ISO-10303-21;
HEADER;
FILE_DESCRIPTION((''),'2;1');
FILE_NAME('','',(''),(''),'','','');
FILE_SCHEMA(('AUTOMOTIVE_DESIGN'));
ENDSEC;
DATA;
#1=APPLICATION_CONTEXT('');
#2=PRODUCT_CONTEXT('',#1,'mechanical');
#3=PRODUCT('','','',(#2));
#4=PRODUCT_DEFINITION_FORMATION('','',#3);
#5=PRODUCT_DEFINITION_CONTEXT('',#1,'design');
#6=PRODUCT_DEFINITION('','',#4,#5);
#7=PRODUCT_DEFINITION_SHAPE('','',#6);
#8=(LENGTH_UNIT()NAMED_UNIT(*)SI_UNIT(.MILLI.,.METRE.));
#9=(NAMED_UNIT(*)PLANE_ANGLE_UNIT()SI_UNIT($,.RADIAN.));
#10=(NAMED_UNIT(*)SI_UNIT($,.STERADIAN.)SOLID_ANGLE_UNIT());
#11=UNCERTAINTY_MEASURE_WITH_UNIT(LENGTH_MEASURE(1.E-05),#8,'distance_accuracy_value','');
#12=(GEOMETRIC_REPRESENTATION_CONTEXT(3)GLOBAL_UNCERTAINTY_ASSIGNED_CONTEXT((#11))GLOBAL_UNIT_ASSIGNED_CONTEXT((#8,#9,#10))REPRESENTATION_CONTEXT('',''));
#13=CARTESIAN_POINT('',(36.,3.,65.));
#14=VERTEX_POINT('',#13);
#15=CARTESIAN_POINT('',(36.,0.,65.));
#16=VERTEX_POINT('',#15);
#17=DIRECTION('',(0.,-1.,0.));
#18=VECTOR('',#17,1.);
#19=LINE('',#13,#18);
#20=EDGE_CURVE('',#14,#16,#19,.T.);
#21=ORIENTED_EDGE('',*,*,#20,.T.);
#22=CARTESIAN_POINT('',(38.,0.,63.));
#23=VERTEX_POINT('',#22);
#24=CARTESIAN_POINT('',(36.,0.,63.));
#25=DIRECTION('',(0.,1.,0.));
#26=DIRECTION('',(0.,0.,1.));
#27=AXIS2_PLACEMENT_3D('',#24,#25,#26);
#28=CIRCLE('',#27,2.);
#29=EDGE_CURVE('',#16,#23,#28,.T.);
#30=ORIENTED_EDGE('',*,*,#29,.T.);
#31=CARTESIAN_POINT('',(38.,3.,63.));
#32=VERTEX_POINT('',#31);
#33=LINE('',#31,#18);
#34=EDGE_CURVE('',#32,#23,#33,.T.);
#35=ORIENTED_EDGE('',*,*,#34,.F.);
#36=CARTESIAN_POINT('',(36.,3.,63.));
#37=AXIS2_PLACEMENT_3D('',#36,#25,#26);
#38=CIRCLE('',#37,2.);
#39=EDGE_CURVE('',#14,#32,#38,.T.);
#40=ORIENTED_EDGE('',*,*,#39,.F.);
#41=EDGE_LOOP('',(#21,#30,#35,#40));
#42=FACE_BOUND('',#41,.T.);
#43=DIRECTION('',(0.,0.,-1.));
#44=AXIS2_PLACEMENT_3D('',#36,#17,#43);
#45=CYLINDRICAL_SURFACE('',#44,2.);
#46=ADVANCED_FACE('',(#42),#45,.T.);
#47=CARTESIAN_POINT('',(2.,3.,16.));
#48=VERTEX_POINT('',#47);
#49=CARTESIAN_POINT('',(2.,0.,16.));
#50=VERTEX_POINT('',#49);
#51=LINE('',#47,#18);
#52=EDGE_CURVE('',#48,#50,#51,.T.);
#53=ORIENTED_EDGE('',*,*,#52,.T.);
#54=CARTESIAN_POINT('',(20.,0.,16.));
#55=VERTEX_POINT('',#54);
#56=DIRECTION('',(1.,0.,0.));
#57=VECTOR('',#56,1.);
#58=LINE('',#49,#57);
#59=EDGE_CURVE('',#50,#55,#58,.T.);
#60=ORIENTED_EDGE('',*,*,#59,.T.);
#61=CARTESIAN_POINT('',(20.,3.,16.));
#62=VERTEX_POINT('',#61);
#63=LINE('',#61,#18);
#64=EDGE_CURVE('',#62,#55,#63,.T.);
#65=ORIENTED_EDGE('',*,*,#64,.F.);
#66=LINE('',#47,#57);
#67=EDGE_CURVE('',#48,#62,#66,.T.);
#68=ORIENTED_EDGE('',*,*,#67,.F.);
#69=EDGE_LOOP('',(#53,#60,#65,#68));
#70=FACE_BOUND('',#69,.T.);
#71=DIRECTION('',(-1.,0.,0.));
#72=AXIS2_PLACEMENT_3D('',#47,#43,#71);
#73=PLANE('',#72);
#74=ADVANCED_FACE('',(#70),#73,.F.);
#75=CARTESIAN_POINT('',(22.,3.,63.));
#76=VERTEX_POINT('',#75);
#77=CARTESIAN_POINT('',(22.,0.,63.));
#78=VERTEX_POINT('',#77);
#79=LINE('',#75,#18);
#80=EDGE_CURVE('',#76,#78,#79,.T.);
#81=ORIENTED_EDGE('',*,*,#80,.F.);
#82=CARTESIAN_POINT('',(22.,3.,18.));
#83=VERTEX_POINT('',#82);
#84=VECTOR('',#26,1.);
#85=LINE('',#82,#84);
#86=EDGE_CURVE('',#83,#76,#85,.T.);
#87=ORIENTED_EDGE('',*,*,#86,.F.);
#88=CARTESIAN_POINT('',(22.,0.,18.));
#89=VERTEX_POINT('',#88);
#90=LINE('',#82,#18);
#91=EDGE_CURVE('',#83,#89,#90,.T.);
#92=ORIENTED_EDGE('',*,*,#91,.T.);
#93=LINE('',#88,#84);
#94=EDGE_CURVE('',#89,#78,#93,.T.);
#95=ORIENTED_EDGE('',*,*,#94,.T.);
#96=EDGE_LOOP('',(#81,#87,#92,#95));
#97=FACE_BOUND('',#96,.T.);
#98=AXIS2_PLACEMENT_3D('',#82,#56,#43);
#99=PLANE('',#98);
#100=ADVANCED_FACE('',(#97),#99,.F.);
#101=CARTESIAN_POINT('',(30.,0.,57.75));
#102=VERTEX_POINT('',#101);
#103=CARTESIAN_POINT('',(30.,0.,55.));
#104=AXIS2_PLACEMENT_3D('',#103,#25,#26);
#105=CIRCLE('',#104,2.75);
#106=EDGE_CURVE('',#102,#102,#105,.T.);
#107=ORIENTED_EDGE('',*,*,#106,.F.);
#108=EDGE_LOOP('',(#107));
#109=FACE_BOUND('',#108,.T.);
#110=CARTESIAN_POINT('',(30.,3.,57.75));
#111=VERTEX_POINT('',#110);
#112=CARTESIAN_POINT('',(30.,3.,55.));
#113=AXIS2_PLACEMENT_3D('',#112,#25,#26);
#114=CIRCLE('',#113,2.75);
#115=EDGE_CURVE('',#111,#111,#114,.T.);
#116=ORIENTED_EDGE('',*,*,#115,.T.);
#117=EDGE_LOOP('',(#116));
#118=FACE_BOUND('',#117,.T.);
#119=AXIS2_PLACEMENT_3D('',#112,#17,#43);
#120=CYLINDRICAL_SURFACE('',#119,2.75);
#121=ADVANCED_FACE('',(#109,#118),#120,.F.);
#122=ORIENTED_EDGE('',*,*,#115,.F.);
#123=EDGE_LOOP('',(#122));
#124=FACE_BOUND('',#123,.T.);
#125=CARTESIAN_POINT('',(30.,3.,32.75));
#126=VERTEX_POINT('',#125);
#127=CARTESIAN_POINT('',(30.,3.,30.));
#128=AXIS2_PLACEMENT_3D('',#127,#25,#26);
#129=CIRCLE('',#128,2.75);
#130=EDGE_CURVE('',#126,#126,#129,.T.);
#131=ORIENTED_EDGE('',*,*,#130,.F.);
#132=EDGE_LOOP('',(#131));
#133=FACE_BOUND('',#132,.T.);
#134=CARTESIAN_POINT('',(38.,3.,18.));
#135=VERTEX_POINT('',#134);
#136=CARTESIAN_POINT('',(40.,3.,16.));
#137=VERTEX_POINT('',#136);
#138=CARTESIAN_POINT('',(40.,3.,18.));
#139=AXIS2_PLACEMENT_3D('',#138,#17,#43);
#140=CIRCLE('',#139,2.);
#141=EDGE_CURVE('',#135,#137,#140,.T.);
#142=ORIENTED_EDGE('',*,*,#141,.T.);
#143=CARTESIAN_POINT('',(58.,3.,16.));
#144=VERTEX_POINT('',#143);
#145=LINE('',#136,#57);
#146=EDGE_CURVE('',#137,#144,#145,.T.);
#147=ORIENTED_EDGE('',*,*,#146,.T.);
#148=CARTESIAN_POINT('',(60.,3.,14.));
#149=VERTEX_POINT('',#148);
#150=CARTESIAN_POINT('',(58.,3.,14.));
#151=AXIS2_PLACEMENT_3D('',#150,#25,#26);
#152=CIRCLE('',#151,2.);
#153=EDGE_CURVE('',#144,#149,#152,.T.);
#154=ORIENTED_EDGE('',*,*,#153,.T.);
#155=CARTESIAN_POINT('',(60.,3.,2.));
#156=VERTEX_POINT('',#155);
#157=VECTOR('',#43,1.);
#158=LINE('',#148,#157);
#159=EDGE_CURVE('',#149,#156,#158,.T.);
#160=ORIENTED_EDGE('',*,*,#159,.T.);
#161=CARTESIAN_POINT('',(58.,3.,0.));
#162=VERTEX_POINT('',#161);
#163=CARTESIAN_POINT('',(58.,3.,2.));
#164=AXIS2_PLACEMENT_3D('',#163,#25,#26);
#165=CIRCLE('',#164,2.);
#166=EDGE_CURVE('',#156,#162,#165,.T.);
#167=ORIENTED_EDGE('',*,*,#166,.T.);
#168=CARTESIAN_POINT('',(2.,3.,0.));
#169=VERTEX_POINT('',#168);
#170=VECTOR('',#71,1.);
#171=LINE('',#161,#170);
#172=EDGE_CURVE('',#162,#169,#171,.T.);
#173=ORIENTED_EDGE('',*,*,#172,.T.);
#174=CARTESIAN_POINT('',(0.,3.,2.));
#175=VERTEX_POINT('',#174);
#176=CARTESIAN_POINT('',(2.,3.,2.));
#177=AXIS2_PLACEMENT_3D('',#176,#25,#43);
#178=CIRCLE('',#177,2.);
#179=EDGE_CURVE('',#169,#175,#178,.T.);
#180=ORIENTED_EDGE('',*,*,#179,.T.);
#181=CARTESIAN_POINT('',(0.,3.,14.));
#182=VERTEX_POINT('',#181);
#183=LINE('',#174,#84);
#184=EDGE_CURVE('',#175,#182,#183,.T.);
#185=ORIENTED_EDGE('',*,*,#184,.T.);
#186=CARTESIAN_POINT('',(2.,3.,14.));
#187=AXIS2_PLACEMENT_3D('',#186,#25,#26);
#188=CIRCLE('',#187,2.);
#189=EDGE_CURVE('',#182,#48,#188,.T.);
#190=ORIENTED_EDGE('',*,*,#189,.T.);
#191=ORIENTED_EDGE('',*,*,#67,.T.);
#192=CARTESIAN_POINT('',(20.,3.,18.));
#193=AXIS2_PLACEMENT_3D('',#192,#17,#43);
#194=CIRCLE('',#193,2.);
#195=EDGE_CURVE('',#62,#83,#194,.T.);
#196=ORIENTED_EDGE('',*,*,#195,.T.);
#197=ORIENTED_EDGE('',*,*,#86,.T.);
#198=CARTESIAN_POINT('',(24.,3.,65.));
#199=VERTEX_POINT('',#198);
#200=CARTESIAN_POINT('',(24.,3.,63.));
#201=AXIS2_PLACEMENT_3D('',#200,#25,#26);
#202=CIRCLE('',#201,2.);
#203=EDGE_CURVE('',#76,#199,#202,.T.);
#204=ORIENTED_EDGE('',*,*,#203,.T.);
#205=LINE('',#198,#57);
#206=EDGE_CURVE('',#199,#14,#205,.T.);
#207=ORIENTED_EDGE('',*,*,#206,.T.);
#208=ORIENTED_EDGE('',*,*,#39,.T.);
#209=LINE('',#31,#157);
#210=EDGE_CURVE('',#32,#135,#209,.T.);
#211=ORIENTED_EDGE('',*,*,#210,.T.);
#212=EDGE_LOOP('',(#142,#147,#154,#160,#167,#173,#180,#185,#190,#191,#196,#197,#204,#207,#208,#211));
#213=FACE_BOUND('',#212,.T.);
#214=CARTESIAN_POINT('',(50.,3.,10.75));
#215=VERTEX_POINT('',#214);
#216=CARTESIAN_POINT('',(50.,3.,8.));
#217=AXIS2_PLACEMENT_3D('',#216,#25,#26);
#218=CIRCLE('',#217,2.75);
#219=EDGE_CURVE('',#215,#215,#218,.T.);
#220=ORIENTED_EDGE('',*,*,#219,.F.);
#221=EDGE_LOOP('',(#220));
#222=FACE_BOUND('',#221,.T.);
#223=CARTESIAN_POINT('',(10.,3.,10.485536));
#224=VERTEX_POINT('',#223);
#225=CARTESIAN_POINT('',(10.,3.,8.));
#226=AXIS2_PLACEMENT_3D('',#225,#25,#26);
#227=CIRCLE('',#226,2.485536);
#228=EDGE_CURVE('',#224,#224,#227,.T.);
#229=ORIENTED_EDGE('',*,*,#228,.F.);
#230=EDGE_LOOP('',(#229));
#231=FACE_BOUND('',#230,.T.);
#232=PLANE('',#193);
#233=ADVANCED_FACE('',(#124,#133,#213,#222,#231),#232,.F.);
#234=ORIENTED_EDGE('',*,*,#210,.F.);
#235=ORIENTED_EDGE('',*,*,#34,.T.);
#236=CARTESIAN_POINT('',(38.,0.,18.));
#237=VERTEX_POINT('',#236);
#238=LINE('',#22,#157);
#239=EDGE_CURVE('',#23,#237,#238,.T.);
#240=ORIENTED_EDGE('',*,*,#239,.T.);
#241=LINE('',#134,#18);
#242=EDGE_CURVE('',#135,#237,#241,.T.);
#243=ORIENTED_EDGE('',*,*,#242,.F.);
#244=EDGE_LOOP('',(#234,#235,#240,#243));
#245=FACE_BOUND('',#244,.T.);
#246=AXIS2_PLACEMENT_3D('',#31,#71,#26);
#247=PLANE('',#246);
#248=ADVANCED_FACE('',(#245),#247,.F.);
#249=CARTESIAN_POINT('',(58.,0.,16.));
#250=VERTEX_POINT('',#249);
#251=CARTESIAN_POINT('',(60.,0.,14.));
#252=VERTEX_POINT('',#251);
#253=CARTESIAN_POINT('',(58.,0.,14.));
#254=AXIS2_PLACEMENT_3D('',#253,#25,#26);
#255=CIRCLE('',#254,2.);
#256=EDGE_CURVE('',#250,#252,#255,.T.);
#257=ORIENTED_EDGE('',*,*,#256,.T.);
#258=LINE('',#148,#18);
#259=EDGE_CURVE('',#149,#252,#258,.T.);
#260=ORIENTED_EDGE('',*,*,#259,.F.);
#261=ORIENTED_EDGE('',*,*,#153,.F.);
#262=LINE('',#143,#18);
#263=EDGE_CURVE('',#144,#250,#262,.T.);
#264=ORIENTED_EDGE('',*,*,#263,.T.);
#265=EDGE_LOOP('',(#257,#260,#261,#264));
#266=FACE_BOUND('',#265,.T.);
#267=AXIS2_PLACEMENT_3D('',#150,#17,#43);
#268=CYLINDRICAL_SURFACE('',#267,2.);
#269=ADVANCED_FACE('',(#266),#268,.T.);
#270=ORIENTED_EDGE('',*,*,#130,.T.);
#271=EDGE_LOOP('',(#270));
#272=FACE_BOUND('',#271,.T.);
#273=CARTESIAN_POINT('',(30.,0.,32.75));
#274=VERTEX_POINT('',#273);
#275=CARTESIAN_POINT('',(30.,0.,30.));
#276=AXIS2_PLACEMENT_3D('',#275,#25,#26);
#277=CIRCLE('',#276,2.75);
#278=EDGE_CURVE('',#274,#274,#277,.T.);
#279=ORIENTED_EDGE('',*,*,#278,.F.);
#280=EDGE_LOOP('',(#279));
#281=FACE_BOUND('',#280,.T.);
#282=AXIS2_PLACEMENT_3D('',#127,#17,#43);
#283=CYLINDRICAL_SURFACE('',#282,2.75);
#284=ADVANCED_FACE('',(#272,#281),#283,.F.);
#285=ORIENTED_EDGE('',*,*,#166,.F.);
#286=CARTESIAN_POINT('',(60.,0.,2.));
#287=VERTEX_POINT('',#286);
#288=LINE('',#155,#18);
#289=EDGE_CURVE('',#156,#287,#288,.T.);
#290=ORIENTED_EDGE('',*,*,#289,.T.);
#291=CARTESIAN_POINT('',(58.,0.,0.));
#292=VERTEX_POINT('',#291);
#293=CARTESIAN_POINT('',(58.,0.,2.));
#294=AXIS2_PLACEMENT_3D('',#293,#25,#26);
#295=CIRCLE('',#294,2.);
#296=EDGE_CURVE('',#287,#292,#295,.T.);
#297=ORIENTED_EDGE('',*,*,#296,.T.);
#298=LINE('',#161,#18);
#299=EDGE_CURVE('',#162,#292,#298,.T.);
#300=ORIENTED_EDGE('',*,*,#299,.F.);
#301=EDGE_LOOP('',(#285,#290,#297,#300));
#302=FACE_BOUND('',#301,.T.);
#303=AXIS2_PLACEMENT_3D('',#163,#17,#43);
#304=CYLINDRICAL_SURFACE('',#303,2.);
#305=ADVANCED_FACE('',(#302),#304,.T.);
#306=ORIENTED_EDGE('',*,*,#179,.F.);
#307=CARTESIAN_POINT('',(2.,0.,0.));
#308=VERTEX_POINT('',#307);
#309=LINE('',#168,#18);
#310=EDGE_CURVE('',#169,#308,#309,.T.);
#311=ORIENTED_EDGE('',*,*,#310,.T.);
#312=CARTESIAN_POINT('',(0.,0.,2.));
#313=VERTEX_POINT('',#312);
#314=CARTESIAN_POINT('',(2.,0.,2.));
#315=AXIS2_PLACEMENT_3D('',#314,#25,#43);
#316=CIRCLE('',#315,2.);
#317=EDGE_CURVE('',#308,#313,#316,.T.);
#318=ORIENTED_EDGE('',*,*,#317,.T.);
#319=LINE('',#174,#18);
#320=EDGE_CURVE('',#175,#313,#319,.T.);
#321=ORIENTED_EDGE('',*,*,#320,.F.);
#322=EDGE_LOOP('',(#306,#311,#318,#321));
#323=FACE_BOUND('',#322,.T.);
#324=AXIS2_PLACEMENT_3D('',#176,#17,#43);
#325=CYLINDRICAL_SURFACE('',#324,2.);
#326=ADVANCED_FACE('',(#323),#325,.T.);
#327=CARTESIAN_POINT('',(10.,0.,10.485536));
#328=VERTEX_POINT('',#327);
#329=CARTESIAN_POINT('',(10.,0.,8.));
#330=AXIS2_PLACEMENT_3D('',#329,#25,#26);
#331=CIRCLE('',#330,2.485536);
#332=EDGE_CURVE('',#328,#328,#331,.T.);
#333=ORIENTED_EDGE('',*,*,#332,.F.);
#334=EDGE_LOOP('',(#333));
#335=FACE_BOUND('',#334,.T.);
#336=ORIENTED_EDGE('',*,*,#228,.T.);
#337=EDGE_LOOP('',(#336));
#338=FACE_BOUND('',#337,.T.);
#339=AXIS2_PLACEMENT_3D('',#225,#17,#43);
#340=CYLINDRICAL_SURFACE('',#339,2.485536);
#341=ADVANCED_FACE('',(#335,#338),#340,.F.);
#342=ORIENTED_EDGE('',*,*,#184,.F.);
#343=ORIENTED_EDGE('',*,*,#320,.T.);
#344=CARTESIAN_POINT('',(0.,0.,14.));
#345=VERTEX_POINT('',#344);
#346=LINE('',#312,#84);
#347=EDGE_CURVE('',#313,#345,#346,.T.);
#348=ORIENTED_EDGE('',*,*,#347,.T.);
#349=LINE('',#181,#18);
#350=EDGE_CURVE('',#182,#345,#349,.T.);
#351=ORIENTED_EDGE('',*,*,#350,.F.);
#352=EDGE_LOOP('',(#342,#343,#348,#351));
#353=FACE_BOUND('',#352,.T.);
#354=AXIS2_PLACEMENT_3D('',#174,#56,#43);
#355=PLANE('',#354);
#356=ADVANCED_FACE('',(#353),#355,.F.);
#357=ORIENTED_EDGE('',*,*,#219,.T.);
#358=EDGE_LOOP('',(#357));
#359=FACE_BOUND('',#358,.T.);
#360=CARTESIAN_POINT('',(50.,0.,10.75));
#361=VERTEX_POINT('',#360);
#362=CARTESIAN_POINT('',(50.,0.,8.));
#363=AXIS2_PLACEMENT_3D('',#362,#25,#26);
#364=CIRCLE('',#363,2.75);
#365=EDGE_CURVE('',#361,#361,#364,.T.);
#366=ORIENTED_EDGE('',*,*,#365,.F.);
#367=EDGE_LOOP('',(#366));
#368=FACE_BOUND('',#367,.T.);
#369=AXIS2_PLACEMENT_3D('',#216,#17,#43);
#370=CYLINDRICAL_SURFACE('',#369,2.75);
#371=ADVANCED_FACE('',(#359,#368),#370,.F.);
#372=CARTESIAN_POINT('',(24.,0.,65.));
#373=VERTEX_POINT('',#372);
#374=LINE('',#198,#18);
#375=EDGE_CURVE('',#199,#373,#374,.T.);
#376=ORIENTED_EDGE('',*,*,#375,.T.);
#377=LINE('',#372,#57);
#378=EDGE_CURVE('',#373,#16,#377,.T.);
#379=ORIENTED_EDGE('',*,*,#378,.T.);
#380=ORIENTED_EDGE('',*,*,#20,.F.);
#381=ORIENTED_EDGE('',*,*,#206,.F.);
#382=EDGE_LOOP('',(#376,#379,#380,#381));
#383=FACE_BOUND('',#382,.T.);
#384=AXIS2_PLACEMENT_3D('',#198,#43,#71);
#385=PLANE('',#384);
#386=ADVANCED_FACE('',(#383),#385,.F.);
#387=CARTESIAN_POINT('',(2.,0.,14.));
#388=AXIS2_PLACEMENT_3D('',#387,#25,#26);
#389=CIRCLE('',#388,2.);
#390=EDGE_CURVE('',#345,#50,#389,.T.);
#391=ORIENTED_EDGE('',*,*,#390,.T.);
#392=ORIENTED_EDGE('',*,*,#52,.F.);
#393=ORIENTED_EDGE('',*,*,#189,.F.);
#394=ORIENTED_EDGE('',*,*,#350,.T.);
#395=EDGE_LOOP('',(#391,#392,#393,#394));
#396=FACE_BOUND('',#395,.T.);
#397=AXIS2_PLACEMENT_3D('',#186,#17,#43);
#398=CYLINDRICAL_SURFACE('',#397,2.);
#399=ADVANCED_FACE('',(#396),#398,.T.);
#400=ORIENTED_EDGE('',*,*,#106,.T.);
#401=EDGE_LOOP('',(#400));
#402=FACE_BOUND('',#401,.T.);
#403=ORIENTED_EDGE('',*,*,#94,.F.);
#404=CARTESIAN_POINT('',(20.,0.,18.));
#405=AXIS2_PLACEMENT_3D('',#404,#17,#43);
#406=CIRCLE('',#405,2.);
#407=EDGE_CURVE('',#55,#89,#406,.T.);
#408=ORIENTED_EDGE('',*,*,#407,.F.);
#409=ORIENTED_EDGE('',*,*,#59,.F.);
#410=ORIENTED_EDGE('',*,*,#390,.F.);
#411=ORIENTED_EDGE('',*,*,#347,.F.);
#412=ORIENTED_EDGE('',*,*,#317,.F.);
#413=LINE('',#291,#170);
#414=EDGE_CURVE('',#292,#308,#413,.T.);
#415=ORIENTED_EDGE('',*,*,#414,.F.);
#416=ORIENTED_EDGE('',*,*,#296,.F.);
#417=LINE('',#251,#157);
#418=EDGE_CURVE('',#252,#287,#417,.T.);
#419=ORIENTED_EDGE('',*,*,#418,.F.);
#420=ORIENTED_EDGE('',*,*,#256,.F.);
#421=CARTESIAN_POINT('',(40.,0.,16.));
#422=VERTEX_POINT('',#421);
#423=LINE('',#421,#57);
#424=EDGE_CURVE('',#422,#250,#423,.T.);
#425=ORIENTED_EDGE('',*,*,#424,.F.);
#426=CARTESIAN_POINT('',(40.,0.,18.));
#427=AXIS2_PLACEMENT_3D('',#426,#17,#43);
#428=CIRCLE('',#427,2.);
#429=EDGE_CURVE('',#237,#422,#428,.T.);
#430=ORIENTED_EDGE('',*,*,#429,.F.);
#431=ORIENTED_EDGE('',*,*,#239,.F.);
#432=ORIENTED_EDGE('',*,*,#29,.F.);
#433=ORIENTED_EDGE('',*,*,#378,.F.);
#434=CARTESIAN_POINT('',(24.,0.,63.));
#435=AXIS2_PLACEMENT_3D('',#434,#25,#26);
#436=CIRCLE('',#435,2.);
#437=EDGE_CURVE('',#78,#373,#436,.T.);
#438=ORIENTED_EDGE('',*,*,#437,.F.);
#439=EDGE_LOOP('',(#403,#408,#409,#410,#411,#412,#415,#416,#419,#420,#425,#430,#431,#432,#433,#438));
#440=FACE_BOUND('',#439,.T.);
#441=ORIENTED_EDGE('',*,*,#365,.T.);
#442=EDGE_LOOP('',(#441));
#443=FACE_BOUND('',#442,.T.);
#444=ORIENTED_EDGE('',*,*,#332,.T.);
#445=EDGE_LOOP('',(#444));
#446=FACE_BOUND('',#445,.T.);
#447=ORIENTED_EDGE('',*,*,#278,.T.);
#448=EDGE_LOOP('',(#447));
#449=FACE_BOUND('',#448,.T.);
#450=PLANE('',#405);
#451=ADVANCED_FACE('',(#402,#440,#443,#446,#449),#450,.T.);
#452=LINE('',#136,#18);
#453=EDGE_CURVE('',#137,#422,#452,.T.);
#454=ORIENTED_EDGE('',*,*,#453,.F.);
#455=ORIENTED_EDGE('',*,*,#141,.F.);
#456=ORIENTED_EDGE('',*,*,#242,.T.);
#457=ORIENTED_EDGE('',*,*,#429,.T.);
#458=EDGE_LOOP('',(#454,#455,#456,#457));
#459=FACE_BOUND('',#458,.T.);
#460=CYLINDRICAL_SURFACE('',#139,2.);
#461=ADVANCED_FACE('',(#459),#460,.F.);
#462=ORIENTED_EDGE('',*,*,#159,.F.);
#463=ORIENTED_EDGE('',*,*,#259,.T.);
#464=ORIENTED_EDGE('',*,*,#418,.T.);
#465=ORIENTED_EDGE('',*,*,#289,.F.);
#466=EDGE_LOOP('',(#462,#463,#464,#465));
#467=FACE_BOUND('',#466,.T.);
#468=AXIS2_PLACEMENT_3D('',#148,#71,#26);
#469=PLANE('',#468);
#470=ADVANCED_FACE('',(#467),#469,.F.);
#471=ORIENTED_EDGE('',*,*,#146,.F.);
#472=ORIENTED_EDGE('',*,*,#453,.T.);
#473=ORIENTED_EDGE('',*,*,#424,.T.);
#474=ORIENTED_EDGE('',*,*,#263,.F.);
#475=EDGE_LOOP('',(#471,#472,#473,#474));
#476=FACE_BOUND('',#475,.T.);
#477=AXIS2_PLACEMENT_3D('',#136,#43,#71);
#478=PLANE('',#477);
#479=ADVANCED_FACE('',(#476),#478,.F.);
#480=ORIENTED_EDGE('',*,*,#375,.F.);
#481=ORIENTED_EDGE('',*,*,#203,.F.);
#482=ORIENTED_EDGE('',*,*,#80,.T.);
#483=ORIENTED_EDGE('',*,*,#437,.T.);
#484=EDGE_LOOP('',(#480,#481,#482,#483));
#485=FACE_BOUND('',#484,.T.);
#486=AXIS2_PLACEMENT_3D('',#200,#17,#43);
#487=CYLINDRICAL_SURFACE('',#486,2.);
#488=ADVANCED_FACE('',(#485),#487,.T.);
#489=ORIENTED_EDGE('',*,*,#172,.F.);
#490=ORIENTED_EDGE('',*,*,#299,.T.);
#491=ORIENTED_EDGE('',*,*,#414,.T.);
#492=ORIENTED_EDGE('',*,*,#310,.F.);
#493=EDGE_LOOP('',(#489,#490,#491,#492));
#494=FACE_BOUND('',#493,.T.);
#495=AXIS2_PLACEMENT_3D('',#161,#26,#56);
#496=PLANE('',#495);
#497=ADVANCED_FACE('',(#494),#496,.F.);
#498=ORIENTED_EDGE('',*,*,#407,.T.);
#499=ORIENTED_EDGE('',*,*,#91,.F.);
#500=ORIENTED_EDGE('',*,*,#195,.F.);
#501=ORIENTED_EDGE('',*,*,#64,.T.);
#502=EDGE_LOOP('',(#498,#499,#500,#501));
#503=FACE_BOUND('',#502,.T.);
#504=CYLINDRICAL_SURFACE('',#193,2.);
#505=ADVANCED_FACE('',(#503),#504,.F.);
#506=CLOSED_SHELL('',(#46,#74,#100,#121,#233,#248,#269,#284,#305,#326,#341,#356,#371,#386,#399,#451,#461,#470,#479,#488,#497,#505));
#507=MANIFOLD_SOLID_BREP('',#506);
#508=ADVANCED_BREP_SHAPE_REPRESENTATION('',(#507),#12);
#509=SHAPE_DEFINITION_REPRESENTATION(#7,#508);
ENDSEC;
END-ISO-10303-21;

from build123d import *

# Parameters (mm, degrees)
SKETCH_1_R      = 2.485535924
SKETCH_1_R_2    = 2.75
EXTRUDE_1_DEPTH = 3


with BuildPart() as part:
    # 草图1 → 凸台-拉伸1 (new body)
    with BuildSketch(Plane(origin=(0, 0, 0), x_dir=(1, 0, 0), z_dir=(0, 1, 0))):
        with BuildLine():
            Line((0, -2), (0, -14))
            ThreePointArc((0, -14), (0.585786438, -15.414213562), (2, -16))
            Line((2, -16), (20, -16))
            ThreePointArc((20, -16), (21.414213562, -16.585786438), (22, -18))
            Line((22, -18), (22, -63))
            ThreePointArc((22, -63), (22.585786438, -64.414213562), (24, -65))
            Line((24, -65), (36, -65))
            ThreePointArc((36, -65), (37.414213562, -64.414213562), (38, -63))
            Line((38, -63), (38, -18))
            ThreePointArc((38, -18), (38.585786438, -16.585786438), (40, -16))
            Line((40, -16), (58, -16))
            ThreePointArc((58, -16), (59.414213562, -15.414213562), (60, -14))
            Line((60, -14), (60, -2))
            ThreePointArc((60, -2), (59.414213562, -0.585786438), (58, 0))
            Line((58, 0), (2, 0))
            ThreePointArc((2, 0), (0.585786438, -0.585786438), (0, -2))
        make_face()
        with Locations(Location((10, -8, 0), (0, 0, 270))):
            Circle(SKETCH_1_R, mode=Mode.SUBTRACT)
        with Locations(Location((50, -8, 0), (0, 0, 270))):
            Circle(SKETCH_1_R_2, mode=Mode.SUBTRACT)
        with Locations(Location((30, -55, 0), (0, 0, 270))):
            Circle(SKETCH_1_R_2, mode=Mode.SUBTRACT)
        with Locations(Location((30, -30, 0), (0, 0, 270))):
            Circle(SKETCH_1_R_2, mode=Mode.SUBTRACT)
    extrude(amount=EXTRUDE_1_DEPTH)


solid = part.part
